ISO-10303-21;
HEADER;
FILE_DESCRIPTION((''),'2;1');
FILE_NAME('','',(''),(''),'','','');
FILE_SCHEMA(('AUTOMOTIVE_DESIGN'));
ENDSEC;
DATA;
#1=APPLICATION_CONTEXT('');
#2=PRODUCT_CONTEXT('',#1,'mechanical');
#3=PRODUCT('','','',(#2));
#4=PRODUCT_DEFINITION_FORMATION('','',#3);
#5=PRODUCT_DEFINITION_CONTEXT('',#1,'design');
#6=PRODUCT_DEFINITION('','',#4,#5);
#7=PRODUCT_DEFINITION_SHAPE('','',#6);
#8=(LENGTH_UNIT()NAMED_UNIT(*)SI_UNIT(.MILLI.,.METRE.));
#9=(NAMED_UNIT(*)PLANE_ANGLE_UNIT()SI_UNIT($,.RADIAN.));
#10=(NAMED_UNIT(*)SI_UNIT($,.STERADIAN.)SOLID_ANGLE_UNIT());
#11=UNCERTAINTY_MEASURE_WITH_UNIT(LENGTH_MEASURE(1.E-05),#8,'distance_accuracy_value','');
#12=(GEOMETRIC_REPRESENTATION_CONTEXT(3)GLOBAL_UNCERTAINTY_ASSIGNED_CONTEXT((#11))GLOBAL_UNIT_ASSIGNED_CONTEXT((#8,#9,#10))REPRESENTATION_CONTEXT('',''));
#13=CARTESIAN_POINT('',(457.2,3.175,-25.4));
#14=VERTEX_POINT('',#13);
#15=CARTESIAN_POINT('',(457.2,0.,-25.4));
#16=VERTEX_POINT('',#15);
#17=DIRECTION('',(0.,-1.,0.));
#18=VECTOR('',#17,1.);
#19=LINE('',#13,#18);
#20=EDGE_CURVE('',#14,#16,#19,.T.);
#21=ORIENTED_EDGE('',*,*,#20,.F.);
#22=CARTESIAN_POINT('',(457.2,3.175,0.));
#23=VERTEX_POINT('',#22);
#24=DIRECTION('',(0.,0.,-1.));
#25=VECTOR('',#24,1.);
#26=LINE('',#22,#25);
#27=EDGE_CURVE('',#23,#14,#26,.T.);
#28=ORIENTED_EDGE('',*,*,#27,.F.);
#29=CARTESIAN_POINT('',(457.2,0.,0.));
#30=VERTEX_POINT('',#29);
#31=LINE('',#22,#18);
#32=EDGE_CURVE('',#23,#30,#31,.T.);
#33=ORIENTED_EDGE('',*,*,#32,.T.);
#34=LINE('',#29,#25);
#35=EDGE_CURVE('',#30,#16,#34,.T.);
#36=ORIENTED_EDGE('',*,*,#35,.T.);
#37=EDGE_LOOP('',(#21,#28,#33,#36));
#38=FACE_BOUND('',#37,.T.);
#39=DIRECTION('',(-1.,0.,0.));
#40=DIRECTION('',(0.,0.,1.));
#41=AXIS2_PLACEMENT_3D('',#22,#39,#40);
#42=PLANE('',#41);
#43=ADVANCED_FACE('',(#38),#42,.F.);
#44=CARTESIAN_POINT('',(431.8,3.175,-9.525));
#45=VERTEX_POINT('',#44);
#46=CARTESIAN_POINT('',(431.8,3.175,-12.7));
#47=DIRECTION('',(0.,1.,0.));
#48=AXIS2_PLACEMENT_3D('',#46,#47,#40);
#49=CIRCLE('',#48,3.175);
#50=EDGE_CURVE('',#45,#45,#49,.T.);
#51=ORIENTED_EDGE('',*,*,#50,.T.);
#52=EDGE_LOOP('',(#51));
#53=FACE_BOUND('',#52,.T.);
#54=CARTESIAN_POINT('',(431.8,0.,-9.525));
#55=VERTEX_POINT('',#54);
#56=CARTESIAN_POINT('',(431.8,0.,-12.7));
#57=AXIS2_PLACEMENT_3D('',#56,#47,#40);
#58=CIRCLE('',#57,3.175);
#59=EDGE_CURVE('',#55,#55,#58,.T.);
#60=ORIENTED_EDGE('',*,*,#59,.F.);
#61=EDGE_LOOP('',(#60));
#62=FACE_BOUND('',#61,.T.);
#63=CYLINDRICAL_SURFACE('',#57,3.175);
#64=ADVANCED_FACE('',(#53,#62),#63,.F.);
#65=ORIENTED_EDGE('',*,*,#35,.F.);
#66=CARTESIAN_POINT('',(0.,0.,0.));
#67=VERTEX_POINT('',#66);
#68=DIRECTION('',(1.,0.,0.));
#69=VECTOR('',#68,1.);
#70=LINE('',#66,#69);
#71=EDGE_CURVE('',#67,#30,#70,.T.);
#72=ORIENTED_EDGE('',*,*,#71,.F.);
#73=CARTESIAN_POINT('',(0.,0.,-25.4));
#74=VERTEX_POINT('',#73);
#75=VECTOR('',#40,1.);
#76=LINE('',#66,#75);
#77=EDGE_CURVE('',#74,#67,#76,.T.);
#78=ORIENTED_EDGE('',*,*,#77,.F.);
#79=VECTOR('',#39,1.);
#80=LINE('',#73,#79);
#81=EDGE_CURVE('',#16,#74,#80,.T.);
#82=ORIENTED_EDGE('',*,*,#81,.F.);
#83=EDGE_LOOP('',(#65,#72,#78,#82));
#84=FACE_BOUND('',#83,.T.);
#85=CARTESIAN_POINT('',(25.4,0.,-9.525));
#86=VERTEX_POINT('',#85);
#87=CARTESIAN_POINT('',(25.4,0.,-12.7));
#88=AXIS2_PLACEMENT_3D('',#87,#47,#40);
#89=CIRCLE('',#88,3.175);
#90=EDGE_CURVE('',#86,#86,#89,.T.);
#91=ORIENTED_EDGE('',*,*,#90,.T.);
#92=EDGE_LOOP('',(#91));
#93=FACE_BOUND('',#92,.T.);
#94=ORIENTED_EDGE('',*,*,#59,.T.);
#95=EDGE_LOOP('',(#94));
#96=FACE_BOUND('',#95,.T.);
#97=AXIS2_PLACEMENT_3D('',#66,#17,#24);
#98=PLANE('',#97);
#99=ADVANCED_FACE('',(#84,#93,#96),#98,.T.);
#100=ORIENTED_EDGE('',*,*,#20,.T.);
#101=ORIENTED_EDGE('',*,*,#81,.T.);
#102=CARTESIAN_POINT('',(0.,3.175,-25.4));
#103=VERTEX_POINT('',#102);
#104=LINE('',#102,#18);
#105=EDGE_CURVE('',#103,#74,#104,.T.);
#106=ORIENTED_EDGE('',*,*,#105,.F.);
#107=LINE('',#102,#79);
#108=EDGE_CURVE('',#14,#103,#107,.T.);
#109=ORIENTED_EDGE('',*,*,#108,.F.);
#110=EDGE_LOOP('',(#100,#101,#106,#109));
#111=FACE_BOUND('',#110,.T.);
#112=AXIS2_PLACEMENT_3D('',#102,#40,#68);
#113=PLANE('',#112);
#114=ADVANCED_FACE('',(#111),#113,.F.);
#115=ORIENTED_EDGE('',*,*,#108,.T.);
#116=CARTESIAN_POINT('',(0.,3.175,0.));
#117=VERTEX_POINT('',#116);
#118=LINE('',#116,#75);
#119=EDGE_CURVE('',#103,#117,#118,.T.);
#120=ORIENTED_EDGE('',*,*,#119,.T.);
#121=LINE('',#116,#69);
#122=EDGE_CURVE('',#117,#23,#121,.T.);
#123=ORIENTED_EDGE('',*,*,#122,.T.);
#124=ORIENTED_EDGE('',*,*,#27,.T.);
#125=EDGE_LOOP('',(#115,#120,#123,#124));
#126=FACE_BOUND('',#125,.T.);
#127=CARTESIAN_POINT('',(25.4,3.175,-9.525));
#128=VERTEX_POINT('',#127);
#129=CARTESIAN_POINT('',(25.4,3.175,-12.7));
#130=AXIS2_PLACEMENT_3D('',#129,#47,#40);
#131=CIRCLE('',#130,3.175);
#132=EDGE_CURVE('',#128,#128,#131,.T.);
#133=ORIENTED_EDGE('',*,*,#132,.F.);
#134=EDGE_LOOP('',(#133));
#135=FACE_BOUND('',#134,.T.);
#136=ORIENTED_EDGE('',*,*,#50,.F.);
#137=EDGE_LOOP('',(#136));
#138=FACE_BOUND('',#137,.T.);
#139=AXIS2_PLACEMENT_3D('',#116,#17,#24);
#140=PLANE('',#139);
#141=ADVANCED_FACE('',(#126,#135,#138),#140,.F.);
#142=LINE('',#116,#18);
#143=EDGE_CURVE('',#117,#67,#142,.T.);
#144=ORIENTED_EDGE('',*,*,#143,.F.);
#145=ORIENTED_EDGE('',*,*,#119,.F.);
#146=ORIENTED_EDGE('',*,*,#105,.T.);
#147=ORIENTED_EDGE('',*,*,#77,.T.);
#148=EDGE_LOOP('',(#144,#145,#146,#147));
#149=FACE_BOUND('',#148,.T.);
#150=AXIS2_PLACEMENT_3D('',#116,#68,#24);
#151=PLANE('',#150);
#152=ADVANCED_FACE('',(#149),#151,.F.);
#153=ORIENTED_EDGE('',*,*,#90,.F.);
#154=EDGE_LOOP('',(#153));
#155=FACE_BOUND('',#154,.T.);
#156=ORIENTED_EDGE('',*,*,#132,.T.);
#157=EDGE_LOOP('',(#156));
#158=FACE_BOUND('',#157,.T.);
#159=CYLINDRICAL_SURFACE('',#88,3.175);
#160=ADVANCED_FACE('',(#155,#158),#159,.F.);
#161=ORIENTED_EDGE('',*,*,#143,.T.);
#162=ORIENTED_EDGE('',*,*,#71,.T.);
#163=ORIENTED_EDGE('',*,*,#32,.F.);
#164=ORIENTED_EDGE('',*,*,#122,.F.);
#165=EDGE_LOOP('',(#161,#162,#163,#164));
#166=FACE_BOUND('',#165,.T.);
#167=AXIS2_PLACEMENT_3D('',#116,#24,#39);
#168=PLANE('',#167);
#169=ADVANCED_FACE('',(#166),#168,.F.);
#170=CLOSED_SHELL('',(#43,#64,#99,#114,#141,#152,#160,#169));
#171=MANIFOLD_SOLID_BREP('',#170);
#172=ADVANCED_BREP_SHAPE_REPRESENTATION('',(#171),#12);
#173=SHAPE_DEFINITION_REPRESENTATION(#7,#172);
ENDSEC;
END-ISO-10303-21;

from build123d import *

# Parameters (mm, degrees)
SKETCH1_W           = 457.2
SKETCH1_H           = 25.4
BOSS_EXTRUDE1_DEPTH = 3.175
SKETCH2_R           = 3.175
CUT_EXTRUDE1_DEPTH  = 4.175


with BuildPart() as part:
    # Sketch1 → Boss-Extrude1 (new body)
    with BuildSketch(Plane(origin=(0, 0, 0), x_dir=(1, 0, 0), z_dir=(0, 1, 0))):
        with Locations((228.6, 12.7)):
            Rectangle(SKETCH1_W, SKETCH1_H)
    extrude(amount=BOSS_EXTRUDE1_DEPTH)

    # Sketch2 → Cut-Extrude1 (cut, through all)
    with BuildSketch(Plane(origin=(0, 3.175, 0), x_dir=(1, 0, 0), z_dir=(0, 1, 0))):
        with Locations((431.8, 12.7)):
            Circle(SKETCH2_R)
        with Locations((25.4, 12.7)):
            Circle(SKETCH2_R)
    extrude(amount=-CUT_EXTRUDE1_DEPTH, mode=Mode.SUBTRACT)


solid = part.part
